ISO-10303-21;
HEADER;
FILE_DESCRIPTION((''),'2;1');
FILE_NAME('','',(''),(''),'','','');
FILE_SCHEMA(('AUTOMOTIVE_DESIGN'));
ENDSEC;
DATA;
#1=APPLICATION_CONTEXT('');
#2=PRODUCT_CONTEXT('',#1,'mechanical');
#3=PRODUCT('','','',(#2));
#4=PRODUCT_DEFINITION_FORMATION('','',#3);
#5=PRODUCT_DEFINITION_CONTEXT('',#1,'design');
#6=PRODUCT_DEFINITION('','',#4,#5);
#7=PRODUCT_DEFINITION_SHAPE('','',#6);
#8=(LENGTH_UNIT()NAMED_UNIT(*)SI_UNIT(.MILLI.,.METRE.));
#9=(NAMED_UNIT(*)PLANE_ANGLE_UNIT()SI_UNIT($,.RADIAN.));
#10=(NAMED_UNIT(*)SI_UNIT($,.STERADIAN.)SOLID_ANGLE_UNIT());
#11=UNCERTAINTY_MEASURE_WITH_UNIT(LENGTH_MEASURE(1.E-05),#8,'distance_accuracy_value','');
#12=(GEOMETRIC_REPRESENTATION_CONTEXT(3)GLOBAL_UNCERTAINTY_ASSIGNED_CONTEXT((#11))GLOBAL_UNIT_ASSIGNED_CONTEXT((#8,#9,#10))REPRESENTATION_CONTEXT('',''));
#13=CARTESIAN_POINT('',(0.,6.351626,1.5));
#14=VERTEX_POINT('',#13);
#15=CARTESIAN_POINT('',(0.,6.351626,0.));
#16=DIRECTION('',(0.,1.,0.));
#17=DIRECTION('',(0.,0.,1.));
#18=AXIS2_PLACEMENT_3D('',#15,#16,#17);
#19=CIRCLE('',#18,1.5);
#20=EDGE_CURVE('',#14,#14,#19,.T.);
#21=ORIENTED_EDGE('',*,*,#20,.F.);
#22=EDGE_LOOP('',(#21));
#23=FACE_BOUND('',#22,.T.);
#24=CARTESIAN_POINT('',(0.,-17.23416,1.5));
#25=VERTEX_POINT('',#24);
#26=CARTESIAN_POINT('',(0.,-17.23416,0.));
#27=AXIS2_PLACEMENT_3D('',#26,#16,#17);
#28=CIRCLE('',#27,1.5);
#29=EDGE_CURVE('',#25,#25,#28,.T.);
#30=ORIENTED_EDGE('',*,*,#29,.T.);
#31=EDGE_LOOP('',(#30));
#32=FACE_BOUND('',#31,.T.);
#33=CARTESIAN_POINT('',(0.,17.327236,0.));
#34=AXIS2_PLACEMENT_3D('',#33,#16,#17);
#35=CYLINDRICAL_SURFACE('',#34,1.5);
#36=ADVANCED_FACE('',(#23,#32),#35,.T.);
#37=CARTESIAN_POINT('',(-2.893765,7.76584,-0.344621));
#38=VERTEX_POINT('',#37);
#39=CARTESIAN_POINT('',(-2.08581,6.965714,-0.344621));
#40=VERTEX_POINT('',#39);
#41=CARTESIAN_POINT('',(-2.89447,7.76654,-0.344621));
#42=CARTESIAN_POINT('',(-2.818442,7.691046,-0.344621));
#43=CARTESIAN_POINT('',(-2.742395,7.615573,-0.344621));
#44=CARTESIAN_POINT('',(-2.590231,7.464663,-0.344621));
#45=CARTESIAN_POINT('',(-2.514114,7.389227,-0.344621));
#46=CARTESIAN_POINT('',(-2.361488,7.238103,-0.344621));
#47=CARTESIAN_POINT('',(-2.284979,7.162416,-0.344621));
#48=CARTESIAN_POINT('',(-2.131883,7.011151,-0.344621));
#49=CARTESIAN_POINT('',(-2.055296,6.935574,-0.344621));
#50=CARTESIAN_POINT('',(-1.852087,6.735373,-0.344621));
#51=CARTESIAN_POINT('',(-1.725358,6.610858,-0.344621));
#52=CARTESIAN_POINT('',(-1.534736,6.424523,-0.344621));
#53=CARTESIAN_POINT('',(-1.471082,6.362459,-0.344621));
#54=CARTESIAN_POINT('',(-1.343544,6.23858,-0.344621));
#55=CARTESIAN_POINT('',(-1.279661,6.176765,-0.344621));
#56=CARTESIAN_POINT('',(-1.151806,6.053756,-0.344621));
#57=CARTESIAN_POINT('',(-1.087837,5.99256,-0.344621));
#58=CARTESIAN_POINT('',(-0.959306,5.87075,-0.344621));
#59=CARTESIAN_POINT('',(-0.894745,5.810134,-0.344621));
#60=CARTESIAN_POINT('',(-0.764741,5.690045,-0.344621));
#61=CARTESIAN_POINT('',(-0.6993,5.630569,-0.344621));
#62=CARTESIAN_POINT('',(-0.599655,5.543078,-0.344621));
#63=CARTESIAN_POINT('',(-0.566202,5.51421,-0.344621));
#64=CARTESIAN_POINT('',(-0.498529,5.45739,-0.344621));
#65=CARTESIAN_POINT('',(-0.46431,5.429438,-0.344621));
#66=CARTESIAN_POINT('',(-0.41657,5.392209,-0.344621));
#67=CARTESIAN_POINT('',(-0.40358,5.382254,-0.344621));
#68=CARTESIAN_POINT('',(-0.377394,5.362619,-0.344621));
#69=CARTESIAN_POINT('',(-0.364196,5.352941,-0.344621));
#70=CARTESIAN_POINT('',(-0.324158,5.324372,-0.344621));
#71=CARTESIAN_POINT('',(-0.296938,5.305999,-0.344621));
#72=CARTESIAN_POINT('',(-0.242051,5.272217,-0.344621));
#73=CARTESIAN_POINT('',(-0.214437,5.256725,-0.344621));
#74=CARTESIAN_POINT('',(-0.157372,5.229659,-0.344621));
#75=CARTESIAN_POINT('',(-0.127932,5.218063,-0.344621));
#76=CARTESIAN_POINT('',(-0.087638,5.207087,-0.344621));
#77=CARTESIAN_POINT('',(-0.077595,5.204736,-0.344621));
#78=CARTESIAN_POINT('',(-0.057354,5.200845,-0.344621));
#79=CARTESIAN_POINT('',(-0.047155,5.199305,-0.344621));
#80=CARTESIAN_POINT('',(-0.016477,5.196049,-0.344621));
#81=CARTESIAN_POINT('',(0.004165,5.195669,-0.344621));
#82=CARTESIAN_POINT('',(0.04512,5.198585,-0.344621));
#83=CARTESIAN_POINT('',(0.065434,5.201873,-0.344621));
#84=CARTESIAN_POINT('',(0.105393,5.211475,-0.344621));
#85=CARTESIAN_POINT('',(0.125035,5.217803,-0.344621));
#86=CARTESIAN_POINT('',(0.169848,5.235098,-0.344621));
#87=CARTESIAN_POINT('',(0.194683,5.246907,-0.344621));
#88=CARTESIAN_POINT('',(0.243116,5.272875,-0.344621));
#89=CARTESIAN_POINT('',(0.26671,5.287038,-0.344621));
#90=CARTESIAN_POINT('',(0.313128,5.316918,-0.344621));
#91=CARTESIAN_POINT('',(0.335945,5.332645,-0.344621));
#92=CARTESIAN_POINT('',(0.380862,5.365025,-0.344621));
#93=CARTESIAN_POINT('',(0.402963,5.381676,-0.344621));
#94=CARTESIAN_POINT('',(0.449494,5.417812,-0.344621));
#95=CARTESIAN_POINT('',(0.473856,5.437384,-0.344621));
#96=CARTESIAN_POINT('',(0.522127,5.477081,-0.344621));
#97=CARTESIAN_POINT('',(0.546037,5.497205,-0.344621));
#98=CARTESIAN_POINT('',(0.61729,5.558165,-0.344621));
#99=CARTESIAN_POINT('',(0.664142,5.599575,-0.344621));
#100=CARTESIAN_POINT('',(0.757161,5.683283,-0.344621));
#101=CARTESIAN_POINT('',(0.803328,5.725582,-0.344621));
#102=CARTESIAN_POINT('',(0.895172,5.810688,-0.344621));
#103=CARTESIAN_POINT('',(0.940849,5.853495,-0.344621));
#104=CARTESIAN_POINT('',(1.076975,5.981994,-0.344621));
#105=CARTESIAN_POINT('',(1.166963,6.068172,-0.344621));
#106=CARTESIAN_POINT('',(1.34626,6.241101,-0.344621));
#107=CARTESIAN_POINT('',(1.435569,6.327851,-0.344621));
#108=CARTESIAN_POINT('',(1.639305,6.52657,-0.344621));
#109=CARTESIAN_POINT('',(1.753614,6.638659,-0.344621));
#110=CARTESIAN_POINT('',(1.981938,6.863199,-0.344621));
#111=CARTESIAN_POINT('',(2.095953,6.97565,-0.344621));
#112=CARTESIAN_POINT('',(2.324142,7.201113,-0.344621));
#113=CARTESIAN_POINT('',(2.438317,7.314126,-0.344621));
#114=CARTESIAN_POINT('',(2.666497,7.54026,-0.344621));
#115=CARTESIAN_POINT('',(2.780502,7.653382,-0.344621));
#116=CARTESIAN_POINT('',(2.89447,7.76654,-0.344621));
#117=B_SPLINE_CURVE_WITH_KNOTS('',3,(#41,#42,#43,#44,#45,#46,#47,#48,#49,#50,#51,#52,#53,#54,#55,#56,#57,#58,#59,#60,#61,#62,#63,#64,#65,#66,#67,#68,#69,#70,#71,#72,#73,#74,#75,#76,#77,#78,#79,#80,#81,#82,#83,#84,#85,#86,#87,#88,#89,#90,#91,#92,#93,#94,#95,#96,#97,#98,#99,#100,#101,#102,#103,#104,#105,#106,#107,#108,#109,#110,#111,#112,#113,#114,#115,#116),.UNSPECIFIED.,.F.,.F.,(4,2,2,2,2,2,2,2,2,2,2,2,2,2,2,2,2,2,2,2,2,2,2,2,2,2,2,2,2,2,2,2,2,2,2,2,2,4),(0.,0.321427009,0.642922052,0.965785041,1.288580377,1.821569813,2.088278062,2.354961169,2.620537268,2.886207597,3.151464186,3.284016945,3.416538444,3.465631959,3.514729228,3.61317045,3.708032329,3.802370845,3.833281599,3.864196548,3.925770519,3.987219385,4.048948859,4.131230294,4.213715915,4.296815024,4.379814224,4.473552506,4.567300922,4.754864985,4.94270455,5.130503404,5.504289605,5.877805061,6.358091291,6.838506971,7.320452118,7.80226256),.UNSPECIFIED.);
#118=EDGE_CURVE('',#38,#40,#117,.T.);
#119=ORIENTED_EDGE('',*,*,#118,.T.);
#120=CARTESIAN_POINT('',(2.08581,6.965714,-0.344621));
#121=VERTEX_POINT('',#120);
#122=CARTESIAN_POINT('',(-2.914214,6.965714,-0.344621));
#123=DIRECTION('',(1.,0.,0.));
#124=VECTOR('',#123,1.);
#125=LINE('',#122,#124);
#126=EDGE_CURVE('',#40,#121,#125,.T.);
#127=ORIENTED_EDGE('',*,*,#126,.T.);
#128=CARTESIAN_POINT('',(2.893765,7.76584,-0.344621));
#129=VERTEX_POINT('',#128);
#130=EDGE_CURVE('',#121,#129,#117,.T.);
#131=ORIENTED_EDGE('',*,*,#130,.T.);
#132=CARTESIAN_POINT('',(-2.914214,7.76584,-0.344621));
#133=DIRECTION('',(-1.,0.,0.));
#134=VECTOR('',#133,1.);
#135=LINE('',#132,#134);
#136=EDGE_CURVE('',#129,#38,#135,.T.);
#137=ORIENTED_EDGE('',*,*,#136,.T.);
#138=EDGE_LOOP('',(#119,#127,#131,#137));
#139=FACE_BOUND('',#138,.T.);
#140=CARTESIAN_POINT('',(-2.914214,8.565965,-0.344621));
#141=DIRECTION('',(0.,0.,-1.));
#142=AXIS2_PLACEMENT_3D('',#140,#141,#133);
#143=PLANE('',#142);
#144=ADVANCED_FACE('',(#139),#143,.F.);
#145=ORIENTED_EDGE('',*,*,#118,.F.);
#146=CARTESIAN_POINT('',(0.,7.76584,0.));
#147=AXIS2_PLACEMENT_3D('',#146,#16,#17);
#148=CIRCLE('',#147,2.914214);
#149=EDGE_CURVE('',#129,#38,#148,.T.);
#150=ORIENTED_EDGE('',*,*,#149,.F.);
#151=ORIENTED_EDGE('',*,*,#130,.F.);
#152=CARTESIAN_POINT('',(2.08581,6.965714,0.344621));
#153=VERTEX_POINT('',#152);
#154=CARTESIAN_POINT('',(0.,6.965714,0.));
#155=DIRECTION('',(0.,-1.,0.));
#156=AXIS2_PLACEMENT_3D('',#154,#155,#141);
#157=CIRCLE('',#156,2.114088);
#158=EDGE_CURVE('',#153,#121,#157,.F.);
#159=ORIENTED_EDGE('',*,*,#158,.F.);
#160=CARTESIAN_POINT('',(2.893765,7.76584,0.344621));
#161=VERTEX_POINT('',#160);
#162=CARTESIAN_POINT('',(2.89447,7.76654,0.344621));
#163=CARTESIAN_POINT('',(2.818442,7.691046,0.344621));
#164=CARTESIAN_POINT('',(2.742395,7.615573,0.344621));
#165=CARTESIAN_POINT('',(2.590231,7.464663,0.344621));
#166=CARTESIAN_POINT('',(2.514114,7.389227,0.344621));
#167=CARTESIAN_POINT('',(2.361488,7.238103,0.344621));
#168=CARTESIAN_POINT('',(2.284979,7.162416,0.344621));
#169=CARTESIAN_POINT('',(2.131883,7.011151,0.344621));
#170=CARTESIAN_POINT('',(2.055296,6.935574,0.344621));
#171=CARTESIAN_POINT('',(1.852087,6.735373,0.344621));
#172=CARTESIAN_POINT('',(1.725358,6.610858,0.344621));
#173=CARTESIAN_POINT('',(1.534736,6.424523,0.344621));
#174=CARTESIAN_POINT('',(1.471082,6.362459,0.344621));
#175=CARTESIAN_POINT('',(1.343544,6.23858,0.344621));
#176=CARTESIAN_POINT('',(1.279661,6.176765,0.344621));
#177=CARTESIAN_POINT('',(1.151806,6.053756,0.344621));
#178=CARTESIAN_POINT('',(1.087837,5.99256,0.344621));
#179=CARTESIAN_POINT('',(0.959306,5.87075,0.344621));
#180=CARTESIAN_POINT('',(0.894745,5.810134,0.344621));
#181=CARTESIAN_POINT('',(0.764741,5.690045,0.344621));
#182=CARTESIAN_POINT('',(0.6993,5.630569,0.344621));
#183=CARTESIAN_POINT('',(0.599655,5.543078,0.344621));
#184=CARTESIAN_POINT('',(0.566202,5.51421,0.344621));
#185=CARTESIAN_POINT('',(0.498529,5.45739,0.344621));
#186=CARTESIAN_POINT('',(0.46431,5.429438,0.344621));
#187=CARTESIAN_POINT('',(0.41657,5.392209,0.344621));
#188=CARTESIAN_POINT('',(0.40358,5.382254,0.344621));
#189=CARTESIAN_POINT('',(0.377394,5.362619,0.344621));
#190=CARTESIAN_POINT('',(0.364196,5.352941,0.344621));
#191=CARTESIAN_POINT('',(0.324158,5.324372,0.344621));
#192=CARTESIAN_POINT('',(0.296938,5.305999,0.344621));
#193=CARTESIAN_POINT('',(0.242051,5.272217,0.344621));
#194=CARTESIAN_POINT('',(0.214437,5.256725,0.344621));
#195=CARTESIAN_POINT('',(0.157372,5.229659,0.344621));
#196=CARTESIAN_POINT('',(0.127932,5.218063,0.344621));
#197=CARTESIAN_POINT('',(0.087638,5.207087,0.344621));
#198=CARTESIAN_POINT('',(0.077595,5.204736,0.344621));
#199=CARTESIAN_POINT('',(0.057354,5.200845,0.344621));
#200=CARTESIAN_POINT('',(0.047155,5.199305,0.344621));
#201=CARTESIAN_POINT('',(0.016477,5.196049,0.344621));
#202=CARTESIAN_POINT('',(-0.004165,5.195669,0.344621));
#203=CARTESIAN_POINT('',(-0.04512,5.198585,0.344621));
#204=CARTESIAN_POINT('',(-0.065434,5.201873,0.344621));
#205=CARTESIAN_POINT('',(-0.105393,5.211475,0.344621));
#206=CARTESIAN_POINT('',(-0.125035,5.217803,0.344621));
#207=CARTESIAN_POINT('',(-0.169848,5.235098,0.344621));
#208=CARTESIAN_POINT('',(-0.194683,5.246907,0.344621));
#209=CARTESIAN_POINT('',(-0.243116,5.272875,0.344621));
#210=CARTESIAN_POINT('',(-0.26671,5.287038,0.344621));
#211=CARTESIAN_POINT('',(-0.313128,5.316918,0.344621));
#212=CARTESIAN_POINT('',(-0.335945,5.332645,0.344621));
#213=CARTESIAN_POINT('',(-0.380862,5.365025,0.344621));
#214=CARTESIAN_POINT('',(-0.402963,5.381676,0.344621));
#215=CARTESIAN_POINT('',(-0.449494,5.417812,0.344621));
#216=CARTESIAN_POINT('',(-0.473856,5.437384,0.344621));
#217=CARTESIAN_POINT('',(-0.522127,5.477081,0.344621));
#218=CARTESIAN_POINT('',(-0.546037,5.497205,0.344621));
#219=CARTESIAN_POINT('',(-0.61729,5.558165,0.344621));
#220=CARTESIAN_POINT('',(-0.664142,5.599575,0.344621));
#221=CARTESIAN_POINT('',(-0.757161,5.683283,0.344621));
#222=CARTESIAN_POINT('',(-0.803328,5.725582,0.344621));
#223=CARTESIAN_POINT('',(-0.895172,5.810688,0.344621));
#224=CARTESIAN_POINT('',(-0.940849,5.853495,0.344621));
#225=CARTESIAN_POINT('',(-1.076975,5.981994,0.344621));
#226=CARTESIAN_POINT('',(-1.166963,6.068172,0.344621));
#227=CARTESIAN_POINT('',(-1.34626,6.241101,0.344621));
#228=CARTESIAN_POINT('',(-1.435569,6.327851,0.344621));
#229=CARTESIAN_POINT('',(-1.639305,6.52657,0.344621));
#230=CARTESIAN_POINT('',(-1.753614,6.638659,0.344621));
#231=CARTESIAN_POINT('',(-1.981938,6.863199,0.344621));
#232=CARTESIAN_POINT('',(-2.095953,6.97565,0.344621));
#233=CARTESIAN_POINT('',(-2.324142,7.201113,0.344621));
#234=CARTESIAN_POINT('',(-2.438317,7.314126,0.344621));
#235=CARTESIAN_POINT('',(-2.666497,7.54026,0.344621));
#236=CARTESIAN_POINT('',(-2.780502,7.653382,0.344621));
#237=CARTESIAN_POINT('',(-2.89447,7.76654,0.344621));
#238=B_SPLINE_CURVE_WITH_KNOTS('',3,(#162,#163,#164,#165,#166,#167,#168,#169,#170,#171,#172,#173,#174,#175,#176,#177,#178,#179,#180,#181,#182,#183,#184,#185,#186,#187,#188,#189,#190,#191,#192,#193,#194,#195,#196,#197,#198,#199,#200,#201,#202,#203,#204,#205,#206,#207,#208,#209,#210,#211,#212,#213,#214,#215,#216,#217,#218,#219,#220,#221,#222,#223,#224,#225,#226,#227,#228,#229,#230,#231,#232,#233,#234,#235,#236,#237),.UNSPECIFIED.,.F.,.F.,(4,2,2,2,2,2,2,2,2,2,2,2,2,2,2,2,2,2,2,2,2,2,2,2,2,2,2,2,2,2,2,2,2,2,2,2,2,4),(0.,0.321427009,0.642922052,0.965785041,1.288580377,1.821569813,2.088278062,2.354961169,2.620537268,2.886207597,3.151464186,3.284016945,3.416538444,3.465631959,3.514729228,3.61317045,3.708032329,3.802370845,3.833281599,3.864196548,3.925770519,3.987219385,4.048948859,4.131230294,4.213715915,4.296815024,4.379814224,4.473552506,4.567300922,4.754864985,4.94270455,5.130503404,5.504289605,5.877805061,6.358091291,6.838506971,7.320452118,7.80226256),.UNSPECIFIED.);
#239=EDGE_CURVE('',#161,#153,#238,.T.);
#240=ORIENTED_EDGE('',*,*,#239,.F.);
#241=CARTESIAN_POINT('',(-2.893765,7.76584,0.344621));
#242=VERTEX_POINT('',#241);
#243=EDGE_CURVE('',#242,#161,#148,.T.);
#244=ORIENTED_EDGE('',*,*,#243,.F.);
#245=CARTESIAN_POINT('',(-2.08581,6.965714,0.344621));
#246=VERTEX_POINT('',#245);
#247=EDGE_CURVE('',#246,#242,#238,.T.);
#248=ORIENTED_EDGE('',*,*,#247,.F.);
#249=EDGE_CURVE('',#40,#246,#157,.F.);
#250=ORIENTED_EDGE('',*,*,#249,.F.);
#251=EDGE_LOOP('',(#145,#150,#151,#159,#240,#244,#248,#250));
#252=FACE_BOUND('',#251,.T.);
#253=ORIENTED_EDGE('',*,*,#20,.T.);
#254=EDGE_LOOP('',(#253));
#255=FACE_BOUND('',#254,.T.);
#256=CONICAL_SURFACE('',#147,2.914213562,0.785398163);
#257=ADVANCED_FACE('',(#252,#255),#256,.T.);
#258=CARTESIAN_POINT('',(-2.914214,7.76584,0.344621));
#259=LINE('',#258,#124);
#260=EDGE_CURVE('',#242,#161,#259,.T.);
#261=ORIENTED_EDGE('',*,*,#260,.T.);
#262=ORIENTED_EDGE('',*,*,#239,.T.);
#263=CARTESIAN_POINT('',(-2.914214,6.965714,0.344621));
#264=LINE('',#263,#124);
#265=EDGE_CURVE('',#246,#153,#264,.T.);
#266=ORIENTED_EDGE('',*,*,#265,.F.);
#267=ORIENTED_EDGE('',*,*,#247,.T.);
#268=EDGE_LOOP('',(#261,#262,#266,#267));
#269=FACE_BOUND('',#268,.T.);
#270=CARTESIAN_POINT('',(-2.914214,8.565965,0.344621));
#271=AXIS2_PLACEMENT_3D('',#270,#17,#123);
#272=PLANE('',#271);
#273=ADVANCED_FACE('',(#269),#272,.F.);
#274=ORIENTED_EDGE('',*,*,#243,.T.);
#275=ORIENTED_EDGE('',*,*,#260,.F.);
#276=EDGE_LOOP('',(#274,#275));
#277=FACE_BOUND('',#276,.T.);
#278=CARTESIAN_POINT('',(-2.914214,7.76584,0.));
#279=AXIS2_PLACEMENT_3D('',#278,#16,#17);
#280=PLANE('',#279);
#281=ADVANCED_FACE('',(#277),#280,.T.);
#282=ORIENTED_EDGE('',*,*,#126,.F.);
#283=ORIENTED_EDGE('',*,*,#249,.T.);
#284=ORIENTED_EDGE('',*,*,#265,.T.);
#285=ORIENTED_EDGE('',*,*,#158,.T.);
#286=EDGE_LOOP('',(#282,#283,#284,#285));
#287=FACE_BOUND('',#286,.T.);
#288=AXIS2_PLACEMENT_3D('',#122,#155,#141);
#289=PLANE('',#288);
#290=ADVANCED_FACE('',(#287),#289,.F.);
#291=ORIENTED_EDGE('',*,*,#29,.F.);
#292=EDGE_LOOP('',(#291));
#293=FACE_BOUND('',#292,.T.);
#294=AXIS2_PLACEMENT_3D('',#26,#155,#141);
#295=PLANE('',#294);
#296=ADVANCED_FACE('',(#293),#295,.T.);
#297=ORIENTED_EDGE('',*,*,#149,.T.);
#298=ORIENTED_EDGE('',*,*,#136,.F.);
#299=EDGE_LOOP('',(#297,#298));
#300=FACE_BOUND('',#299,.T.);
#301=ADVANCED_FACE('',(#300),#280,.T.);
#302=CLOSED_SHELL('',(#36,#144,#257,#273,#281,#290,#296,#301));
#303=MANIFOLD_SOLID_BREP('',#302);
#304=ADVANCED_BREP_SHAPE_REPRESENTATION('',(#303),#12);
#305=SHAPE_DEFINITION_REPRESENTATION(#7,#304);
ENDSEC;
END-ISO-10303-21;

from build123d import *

# Parameters (mm, degrees)
CUT_EXTRUDE1_DEPTH      = 18.720089357
CUT_EXTRUDE1_DEPTH_BACK = 18.720089357
SKETCH2_W               = 0.689241478
SKETCH2_H               = 1.600251789


with BuildPart() as part:
    # Sketch1 → Revolve1 (revolve)
    with BuildSketch(Plane.XY, mode=Mode.PRIVATE) as revolve1_sk:
        Polygon((0, -17.234160421), (-1.5, -17.234160421), (-1.5, 6.351626016), (-2.914213562, 7.765839579), (0, 7.765839579), align=None)
    revolve(revolve1_sk.sketch.rotate(Axis((0, 17.327235772, 0), (0, -1, 0)), 270), axis=Axis((0, 17.327235772, 0), (0, -1, 0)))

    # Sketch2 → Cut-Extrude1 (cut, two sides: drawn at the far end of the back side and taken through both)
    with BuildSketch(Plane(origin=(0, 0, 0), x_dir=(0, 0, -1), z_dir=(1, 0, 0)).offset(-CUT_EXTRUDE1_DEPTH_BACK)):
        with Locations((0, 7.765839579)):
            Rectangle(SKETCH2_W, SKETCH2_H)
    extrude(amount=CUT_EXTRUDE1_DEPTH + CUT_EXTRUDE1_DEPTH_BACK, mode=Mode.SUBTRACT)


solid = part.part
